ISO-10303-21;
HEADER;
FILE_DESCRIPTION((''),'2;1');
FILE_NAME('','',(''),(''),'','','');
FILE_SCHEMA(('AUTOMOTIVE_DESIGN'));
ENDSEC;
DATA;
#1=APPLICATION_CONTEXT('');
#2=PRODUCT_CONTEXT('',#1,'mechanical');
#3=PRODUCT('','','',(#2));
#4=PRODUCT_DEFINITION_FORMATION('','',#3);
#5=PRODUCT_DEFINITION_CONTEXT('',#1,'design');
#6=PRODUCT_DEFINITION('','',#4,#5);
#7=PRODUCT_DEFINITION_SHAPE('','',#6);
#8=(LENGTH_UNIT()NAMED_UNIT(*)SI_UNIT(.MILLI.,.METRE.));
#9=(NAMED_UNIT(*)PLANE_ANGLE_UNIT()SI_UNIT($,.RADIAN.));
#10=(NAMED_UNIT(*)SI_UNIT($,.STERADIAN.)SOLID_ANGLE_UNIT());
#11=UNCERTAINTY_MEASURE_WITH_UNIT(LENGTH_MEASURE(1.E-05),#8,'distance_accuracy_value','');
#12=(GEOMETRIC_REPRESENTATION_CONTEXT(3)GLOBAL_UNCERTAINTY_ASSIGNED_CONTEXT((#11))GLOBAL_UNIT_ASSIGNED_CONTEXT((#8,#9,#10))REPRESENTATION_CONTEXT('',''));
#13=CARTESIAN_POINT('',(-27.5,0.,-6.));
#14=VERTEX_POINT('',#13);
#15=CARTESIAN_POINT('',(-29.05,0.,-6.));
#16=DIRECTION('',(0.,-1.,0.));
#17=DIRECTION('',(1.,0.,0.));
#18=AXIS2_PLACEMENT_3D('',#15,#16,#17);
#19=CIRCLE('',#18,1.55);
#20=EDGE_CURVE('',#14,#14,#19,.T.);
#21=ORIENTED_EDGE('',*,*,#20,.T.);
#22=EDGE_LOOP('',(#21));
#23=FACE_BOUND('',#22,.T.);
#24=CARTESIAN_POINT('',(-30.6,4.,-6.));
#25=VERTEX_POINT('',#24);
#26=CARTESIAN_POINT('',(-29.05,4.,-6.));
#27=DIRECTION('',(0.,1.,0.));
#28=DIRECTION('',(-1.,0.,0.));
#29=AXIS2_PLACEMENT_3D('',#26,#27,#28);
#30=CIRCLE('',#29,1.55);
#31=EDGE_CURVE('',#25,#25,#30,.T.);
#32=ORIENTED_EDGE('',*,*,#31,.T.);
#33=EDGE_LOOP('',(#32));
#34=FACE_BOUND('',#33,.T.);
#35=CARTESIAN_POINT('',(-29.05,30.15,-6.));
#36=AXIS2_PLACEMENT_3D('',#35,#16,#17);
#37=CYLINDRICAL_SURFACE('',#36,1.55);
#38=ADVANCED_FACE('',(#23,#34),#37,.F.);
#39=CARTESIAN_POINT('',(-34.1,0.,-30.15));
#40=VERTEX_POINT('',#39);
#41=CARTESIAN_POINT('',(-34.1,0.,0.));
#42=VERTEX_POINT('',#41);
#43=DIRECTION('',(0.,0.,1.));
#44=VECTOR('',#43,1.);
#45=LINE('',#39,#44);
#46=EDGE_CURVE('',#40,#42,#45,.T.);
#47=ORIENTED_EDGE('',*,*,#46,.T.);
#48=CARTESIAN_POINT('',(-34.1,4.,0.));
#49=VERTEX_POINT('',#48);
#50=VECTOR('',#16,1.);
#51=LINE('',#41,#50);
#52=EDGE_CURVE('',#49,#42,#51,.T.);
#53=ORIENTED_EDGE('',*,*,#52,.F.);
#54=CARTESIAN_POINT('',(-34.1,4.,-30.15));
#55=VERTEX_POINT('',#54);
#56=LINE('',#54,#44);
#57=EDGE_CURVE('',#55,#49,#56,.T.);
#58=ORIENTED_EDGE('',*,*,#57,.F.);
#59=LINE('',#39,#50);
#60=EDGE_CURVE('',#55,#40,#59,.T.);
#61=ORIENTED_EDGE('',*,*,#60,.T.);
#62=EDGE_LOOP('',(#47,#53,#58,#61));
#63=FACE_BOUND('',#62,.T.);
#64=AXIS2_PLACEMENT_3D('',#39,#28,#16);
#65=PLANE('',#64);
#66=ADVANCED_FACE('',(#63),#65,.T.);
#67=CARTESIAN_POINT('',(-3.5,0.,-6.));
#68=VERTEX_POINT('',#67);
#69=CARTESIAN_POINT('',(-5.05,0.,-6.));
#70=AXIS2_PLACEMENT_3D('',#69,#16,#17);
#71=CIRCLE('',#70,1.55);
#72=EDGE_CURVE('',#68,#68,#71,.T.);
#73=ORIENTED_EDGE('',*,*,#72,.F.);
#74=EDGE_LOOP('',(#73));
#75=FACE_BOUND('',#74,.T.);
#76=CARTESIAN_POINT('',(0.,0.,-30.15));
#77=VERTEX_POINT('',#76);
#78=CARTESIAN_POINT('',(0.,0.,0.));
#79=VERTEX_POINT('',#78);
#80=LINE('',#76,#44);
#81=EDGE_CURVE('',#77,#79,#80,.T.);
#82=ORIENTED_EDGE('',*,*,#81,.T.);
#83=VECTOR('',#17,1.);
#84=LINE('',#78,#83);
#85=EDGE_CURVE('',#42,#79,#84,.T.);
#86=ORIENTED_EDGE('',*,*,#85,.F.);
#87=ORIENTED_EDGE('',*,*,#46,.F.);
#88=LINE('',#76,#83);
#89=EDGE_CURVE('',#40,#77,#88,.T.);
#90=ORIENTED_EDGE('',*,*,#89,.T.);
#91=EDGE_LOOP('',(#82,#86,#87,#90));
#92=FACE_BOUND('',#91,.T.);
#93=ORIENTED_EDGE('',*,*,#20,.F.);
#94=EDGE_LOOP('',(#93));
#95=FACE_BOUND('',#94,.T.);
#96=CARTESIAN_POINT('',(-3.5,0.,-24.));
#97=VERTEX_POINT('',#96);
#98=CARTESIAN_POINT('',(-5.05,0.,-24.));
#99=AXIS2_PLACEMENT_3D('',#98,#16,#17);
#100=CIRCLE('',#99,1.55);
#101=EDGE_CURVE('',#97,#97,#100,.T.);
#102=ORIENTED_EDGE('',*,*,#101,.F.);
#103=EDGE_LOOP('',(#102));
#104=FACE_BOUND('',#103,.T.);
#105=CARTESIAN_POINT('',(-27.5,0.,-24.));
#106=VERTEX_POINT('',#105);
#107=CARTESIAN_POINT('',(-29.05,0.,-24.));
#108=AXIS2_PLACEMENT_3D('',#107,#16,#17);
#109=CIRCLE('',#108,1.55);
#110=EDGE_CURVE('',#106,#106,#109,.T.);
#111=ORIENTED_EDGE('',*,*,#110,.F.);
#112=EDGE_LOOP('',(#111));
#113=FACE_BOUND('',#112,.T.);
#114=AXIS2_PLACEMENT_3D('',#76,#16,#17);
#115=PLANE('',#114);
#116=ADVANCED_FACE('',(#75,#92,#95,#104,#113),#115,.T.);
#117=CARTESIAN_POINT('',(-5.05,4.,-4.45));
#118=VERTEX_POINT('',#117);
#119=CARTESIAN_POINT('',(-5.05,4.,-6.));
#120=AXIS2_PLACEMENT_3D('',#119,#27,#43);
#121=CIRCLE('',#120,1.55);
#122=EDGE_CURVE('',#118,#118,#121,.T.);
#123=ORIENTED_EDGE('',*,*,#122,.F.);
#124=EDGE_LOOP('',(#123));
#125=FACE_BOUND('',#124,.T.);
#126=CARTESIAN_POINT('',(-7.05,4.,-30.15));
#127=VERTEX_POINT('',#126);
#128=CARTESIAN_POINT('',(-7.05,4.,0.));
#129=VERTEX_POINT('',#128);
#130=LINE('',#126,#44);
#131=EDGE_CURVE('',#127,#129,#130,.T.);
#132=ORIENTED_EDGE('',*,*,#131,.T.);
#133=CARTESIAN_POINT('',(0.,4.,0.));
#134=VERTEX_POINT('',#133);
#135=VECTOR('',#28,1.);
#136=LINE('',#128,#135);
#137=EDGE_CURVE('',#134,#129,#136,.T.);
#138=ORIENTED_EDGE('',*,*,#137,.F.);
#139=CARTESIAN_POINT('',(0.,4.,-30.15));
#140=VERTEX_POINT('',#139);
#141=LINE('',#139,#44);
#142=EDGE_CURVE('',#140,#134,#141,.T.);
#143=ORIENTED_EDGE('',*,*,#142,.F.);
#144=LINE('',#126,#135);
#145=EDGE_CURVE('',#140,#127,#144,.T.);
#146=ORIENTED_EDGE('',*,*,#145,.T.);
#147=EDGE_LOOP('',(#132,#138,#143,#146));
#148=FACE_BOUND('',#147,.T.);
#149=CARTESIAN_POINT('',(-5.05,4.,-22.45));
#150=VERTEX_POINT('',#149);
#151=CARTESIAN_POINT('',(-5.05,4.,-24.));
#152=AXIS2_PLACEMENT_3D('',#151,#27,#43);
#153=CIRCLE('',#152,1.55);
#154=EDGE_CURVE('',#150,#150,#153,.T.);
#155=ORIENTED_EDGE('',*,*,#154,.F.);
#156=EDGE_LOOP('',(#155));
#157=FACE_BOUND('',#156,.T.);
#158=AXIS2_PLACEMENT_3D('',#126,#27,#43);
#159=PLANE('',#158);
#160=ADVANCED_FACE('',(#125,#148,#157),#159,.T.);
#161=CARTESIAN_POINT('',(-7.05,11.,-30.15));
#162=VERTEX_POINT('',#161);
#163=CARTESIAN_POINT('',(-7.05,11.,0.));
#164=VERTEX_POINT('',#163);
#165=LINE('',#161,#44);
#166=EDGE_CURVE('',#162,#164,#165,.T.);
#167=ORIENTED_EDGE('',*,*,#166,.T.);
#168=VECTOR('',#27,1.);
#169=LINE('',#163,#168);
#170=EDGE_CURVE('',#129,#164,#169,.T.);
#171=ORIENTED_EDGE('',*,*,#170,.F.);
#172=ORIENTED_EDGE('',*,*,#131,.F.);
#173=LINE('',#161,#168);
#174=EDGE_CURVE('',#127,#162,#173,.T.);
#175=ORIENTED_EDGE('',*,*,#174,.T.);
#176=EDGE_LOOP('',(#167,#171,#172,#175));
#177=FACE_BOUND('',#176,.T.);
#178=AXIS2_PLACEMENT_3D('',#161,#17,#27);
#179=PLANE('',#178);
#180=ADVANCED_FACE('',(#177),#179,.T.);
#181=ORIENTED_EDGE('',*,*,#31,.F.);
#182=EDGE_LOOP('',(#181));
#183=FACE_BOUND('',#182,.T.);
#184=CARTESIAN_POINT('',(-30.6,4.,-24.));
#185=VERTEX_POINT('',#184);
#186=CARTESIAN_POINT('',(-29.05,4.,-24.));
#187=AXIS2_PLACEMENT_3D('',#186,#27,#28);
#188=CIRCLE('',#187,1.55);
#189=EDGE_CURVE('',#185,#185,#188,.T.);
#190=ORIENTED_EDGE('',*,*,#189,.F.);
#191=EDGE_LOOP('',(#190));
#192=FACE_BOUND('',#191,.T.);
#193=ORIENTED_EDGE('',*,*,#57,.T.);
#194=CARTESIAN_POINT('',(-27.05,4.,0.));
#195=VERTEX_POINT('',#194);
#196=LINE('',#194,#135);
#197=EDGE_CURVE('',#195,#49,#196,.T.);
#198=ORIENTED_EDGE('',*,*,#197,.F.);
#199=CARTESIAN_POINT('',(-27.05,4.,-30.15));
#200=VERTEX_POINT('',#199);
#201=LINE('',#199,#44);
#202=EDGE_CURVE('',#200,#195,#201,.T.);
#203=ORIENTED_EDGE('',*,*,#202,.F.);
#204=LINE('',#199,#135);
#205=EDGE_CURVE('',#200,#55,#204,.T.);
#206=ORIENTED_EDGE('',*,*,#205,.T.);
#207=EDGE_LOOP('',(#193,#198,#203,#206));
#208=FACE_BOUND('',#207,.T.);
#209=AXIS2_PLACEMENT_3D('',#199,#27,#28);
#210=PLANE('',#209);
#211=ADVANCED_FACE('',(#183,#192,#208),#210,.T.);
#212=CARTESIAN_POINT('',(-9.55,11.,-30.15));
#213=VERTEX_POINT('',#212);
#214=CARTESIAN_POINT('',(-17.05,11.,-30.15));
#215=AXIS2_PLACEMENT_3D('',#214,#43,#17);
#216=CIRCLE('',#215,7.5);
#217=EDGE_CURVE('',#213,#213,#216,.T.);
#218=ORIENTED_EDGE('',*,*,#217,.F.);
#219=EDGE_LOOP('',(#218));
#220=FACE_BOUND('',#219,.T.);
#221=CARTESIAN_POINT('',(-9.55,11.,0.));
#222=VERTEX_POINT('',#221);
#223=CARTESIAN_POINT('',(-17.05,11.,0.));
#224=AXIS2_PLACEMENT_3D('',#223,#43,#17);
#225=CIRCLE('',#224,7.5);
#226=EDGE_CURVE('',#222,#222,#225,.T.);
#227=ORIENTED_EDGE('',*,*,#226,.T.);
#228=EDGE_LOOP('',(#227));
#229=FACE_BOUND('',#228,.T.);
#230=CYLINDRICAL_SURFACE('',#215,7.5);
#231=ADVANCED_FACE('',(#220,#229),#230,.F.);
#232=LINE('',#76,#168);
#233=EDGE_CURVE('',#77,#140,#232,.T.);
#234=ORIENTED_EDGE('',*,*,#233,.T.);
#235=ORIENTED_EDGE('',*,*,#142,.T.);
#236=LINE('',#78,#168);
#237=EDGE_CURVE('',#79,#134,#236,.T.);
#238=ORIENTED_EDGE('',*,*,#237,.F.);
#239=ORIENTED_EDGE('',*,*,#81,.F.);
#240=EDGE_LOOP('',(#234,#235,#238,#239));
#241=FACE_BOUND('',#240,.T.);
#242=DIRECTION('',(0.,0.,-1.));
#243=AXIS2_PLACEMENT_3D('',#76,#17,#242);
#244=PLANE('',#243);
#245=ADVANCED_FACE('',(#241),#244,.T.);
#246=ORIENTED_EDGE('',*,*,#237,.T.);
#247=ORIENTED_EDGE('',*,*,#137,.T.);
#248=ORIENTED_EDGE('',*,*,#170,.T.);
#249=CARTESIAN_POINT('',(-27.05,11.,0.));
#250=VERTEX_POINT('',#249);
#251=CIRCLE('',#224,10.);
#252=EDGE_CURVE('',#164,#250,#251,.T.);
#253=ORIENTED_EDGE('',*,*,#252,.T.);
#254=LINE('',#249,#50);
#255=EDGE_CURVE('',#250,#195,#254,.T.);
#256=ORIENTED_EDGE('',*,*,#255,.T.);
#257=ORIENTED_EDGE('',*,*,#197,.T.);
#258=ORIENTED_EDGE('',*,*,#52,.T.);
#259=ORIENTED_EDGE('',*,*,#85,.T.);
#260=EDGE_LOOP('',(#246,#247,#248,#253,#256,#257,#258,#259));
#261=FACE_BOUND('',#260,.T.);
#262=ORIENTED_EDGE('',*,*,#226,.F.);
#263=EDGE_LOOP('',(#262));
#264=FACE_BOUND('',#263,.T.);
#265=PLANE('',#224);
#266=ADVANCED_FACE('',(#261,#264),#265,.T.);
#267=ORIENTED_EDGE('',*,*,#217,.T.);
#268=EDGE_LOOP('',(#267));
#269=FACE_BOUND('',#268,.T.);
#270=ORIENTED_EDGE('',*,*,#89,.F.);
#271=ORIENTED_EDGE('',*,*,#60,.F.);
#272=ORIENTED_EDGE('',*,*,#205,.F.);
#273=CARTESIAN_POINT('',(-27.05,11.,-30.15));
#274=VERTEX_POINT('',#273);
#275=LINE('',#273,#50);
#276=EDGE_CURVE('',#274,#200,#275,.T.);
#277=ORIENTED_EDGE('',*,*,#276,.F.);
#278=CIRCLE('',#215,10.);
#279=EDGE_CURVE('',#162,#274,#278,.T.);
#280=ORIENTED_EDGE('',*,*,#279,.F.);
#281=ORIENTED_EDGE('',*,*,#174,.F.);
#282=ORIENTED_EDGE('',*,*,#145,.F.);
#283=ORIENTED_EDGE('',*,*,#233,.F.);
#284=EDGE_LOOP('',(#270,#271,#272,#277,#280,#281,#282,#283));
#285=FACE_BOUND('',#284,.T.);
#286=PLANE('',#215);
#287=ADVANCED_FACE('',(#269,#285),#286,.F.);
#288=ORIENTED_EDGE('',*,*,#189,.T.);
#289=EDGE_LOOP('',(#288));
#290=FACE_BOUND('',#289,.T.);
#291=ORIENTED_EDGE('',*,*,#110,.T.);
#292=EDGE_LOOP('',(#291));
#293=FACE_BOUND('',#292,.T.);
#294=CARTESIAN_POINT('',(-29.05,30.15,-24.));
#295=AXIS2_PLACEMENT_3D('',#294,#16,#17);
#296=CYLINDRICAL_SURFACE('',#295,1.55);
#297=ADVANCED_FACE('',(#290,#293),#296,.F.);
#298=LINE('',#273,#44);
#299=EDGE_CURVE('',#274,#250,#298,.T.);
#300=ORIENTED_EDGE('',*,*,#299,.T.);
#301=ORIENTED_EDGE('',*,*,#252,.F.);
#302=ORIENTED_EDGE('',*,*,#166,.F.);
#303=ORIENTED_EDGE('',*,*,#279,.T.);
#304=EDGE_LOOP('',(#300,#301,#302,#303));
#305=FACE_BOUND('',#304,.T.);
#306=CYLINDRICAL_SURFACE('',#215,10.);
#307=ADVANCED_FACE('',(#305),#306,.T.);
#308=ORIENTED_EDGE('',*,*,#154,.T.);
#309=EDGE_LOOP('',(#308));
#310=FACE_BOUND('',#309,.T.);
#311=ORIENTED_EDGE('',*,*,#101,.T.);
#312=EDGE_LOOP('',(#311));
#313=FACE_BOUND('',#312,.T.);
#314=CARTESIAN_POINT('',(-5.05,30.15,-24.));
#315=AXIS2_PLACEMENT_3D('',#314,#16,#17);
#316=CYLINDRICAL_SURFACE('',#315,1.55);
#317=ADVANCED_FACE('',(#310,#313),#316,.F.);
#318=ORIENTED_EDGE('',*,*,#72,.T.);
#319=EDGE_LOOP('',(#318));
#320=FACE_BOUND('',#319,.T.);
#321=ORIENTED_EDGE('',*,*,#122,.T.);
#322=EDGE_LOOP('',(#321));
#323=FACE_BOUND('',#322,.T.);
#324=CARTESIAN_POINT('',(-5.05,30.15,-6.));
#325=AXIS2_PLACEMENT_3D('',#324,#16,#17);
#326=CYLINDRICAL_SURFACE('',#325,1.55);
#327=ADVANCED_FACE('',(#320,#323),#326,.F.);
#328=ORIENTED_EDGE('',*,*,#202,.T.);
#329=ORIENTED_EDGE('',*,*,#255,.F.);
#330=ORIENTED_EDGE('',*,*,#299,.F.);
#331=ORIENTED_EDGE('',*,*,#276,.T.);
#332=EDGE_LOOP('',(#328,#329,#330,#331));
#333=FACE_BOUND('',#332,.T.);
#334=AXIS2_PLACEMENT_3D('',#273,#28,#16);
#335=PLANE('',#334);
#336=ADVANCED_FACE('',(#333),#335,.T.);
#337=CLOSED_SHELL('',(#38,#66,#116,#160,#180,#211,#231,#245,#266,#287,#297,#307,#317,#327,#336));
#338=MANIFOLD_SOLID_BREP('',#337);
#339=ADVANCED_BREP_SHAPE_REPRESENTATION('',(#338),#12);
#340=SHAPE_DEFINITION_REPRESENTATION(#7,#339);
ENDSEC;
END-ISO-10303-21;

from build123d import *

# Parameters (mm, degrees)
SKETCH1_R           = 7.5
BOSS_EXTRUDE1_DEPTH = 30.15
SKETCH2_R           = 1.55
CUT_EXTRUDE1_DEPTH  = 30.15


with BuildPart() as part:
    # Sketch1 → Boss-Extrude1 (new body)
    with BuildSketch(Plane.XY):
        with BuildLine():
            Line((0, 0), (-34.1, 0))
            Line((-34.1, 0), (-34.1, 4))
            Line((-34.1, 4), (-27.05, 4))
            Line((-27.05, 4), (-27.05, 11))
            ThreePointArc((-27.05, 11), (-17.05, 21), (-7.05, 11))
            Line((-7.05, 11), (-7.05, 4))
            Line((-7.05, 4), (0, 4))
            Line((0, 4), (0, 0))
        make_face()
        with Locations((-17.05, 11)):
            Circle(SKETCH1_R, mode=Mode.SUBTRACT)
    extrude(amount=-BOSS_EXTRUDE1_DEPTH)

    # Sketch2 → Cut-Extrude1 (cut)
    with BuildSketch(Plane(origin=(0, 0, 0), x_dir=(-1, 0, 0), z_dir=(0, -1, 0))):
        with Locations(Location((29.05, 6, 0), (0, 0, 180))):
            Circle(SKETCH2_R)
        with Locations(Location((29.05, 24, 0), (0, 0, 180))):
            Circle(SKETCH2_R)
        with Locations(Location((5.05, 6, 0), (0, 0, 180))):
            Circle(SKETCH2_R)
        with Locations(Location((5.05, 24, 0), (0, 0, 180))):
            Circle(SKETCH2_R)
    extrude(amount=-CUT_EXTRUDE1_DEPTH, mode=Mode.SUBTRACT)


solid = part.part
